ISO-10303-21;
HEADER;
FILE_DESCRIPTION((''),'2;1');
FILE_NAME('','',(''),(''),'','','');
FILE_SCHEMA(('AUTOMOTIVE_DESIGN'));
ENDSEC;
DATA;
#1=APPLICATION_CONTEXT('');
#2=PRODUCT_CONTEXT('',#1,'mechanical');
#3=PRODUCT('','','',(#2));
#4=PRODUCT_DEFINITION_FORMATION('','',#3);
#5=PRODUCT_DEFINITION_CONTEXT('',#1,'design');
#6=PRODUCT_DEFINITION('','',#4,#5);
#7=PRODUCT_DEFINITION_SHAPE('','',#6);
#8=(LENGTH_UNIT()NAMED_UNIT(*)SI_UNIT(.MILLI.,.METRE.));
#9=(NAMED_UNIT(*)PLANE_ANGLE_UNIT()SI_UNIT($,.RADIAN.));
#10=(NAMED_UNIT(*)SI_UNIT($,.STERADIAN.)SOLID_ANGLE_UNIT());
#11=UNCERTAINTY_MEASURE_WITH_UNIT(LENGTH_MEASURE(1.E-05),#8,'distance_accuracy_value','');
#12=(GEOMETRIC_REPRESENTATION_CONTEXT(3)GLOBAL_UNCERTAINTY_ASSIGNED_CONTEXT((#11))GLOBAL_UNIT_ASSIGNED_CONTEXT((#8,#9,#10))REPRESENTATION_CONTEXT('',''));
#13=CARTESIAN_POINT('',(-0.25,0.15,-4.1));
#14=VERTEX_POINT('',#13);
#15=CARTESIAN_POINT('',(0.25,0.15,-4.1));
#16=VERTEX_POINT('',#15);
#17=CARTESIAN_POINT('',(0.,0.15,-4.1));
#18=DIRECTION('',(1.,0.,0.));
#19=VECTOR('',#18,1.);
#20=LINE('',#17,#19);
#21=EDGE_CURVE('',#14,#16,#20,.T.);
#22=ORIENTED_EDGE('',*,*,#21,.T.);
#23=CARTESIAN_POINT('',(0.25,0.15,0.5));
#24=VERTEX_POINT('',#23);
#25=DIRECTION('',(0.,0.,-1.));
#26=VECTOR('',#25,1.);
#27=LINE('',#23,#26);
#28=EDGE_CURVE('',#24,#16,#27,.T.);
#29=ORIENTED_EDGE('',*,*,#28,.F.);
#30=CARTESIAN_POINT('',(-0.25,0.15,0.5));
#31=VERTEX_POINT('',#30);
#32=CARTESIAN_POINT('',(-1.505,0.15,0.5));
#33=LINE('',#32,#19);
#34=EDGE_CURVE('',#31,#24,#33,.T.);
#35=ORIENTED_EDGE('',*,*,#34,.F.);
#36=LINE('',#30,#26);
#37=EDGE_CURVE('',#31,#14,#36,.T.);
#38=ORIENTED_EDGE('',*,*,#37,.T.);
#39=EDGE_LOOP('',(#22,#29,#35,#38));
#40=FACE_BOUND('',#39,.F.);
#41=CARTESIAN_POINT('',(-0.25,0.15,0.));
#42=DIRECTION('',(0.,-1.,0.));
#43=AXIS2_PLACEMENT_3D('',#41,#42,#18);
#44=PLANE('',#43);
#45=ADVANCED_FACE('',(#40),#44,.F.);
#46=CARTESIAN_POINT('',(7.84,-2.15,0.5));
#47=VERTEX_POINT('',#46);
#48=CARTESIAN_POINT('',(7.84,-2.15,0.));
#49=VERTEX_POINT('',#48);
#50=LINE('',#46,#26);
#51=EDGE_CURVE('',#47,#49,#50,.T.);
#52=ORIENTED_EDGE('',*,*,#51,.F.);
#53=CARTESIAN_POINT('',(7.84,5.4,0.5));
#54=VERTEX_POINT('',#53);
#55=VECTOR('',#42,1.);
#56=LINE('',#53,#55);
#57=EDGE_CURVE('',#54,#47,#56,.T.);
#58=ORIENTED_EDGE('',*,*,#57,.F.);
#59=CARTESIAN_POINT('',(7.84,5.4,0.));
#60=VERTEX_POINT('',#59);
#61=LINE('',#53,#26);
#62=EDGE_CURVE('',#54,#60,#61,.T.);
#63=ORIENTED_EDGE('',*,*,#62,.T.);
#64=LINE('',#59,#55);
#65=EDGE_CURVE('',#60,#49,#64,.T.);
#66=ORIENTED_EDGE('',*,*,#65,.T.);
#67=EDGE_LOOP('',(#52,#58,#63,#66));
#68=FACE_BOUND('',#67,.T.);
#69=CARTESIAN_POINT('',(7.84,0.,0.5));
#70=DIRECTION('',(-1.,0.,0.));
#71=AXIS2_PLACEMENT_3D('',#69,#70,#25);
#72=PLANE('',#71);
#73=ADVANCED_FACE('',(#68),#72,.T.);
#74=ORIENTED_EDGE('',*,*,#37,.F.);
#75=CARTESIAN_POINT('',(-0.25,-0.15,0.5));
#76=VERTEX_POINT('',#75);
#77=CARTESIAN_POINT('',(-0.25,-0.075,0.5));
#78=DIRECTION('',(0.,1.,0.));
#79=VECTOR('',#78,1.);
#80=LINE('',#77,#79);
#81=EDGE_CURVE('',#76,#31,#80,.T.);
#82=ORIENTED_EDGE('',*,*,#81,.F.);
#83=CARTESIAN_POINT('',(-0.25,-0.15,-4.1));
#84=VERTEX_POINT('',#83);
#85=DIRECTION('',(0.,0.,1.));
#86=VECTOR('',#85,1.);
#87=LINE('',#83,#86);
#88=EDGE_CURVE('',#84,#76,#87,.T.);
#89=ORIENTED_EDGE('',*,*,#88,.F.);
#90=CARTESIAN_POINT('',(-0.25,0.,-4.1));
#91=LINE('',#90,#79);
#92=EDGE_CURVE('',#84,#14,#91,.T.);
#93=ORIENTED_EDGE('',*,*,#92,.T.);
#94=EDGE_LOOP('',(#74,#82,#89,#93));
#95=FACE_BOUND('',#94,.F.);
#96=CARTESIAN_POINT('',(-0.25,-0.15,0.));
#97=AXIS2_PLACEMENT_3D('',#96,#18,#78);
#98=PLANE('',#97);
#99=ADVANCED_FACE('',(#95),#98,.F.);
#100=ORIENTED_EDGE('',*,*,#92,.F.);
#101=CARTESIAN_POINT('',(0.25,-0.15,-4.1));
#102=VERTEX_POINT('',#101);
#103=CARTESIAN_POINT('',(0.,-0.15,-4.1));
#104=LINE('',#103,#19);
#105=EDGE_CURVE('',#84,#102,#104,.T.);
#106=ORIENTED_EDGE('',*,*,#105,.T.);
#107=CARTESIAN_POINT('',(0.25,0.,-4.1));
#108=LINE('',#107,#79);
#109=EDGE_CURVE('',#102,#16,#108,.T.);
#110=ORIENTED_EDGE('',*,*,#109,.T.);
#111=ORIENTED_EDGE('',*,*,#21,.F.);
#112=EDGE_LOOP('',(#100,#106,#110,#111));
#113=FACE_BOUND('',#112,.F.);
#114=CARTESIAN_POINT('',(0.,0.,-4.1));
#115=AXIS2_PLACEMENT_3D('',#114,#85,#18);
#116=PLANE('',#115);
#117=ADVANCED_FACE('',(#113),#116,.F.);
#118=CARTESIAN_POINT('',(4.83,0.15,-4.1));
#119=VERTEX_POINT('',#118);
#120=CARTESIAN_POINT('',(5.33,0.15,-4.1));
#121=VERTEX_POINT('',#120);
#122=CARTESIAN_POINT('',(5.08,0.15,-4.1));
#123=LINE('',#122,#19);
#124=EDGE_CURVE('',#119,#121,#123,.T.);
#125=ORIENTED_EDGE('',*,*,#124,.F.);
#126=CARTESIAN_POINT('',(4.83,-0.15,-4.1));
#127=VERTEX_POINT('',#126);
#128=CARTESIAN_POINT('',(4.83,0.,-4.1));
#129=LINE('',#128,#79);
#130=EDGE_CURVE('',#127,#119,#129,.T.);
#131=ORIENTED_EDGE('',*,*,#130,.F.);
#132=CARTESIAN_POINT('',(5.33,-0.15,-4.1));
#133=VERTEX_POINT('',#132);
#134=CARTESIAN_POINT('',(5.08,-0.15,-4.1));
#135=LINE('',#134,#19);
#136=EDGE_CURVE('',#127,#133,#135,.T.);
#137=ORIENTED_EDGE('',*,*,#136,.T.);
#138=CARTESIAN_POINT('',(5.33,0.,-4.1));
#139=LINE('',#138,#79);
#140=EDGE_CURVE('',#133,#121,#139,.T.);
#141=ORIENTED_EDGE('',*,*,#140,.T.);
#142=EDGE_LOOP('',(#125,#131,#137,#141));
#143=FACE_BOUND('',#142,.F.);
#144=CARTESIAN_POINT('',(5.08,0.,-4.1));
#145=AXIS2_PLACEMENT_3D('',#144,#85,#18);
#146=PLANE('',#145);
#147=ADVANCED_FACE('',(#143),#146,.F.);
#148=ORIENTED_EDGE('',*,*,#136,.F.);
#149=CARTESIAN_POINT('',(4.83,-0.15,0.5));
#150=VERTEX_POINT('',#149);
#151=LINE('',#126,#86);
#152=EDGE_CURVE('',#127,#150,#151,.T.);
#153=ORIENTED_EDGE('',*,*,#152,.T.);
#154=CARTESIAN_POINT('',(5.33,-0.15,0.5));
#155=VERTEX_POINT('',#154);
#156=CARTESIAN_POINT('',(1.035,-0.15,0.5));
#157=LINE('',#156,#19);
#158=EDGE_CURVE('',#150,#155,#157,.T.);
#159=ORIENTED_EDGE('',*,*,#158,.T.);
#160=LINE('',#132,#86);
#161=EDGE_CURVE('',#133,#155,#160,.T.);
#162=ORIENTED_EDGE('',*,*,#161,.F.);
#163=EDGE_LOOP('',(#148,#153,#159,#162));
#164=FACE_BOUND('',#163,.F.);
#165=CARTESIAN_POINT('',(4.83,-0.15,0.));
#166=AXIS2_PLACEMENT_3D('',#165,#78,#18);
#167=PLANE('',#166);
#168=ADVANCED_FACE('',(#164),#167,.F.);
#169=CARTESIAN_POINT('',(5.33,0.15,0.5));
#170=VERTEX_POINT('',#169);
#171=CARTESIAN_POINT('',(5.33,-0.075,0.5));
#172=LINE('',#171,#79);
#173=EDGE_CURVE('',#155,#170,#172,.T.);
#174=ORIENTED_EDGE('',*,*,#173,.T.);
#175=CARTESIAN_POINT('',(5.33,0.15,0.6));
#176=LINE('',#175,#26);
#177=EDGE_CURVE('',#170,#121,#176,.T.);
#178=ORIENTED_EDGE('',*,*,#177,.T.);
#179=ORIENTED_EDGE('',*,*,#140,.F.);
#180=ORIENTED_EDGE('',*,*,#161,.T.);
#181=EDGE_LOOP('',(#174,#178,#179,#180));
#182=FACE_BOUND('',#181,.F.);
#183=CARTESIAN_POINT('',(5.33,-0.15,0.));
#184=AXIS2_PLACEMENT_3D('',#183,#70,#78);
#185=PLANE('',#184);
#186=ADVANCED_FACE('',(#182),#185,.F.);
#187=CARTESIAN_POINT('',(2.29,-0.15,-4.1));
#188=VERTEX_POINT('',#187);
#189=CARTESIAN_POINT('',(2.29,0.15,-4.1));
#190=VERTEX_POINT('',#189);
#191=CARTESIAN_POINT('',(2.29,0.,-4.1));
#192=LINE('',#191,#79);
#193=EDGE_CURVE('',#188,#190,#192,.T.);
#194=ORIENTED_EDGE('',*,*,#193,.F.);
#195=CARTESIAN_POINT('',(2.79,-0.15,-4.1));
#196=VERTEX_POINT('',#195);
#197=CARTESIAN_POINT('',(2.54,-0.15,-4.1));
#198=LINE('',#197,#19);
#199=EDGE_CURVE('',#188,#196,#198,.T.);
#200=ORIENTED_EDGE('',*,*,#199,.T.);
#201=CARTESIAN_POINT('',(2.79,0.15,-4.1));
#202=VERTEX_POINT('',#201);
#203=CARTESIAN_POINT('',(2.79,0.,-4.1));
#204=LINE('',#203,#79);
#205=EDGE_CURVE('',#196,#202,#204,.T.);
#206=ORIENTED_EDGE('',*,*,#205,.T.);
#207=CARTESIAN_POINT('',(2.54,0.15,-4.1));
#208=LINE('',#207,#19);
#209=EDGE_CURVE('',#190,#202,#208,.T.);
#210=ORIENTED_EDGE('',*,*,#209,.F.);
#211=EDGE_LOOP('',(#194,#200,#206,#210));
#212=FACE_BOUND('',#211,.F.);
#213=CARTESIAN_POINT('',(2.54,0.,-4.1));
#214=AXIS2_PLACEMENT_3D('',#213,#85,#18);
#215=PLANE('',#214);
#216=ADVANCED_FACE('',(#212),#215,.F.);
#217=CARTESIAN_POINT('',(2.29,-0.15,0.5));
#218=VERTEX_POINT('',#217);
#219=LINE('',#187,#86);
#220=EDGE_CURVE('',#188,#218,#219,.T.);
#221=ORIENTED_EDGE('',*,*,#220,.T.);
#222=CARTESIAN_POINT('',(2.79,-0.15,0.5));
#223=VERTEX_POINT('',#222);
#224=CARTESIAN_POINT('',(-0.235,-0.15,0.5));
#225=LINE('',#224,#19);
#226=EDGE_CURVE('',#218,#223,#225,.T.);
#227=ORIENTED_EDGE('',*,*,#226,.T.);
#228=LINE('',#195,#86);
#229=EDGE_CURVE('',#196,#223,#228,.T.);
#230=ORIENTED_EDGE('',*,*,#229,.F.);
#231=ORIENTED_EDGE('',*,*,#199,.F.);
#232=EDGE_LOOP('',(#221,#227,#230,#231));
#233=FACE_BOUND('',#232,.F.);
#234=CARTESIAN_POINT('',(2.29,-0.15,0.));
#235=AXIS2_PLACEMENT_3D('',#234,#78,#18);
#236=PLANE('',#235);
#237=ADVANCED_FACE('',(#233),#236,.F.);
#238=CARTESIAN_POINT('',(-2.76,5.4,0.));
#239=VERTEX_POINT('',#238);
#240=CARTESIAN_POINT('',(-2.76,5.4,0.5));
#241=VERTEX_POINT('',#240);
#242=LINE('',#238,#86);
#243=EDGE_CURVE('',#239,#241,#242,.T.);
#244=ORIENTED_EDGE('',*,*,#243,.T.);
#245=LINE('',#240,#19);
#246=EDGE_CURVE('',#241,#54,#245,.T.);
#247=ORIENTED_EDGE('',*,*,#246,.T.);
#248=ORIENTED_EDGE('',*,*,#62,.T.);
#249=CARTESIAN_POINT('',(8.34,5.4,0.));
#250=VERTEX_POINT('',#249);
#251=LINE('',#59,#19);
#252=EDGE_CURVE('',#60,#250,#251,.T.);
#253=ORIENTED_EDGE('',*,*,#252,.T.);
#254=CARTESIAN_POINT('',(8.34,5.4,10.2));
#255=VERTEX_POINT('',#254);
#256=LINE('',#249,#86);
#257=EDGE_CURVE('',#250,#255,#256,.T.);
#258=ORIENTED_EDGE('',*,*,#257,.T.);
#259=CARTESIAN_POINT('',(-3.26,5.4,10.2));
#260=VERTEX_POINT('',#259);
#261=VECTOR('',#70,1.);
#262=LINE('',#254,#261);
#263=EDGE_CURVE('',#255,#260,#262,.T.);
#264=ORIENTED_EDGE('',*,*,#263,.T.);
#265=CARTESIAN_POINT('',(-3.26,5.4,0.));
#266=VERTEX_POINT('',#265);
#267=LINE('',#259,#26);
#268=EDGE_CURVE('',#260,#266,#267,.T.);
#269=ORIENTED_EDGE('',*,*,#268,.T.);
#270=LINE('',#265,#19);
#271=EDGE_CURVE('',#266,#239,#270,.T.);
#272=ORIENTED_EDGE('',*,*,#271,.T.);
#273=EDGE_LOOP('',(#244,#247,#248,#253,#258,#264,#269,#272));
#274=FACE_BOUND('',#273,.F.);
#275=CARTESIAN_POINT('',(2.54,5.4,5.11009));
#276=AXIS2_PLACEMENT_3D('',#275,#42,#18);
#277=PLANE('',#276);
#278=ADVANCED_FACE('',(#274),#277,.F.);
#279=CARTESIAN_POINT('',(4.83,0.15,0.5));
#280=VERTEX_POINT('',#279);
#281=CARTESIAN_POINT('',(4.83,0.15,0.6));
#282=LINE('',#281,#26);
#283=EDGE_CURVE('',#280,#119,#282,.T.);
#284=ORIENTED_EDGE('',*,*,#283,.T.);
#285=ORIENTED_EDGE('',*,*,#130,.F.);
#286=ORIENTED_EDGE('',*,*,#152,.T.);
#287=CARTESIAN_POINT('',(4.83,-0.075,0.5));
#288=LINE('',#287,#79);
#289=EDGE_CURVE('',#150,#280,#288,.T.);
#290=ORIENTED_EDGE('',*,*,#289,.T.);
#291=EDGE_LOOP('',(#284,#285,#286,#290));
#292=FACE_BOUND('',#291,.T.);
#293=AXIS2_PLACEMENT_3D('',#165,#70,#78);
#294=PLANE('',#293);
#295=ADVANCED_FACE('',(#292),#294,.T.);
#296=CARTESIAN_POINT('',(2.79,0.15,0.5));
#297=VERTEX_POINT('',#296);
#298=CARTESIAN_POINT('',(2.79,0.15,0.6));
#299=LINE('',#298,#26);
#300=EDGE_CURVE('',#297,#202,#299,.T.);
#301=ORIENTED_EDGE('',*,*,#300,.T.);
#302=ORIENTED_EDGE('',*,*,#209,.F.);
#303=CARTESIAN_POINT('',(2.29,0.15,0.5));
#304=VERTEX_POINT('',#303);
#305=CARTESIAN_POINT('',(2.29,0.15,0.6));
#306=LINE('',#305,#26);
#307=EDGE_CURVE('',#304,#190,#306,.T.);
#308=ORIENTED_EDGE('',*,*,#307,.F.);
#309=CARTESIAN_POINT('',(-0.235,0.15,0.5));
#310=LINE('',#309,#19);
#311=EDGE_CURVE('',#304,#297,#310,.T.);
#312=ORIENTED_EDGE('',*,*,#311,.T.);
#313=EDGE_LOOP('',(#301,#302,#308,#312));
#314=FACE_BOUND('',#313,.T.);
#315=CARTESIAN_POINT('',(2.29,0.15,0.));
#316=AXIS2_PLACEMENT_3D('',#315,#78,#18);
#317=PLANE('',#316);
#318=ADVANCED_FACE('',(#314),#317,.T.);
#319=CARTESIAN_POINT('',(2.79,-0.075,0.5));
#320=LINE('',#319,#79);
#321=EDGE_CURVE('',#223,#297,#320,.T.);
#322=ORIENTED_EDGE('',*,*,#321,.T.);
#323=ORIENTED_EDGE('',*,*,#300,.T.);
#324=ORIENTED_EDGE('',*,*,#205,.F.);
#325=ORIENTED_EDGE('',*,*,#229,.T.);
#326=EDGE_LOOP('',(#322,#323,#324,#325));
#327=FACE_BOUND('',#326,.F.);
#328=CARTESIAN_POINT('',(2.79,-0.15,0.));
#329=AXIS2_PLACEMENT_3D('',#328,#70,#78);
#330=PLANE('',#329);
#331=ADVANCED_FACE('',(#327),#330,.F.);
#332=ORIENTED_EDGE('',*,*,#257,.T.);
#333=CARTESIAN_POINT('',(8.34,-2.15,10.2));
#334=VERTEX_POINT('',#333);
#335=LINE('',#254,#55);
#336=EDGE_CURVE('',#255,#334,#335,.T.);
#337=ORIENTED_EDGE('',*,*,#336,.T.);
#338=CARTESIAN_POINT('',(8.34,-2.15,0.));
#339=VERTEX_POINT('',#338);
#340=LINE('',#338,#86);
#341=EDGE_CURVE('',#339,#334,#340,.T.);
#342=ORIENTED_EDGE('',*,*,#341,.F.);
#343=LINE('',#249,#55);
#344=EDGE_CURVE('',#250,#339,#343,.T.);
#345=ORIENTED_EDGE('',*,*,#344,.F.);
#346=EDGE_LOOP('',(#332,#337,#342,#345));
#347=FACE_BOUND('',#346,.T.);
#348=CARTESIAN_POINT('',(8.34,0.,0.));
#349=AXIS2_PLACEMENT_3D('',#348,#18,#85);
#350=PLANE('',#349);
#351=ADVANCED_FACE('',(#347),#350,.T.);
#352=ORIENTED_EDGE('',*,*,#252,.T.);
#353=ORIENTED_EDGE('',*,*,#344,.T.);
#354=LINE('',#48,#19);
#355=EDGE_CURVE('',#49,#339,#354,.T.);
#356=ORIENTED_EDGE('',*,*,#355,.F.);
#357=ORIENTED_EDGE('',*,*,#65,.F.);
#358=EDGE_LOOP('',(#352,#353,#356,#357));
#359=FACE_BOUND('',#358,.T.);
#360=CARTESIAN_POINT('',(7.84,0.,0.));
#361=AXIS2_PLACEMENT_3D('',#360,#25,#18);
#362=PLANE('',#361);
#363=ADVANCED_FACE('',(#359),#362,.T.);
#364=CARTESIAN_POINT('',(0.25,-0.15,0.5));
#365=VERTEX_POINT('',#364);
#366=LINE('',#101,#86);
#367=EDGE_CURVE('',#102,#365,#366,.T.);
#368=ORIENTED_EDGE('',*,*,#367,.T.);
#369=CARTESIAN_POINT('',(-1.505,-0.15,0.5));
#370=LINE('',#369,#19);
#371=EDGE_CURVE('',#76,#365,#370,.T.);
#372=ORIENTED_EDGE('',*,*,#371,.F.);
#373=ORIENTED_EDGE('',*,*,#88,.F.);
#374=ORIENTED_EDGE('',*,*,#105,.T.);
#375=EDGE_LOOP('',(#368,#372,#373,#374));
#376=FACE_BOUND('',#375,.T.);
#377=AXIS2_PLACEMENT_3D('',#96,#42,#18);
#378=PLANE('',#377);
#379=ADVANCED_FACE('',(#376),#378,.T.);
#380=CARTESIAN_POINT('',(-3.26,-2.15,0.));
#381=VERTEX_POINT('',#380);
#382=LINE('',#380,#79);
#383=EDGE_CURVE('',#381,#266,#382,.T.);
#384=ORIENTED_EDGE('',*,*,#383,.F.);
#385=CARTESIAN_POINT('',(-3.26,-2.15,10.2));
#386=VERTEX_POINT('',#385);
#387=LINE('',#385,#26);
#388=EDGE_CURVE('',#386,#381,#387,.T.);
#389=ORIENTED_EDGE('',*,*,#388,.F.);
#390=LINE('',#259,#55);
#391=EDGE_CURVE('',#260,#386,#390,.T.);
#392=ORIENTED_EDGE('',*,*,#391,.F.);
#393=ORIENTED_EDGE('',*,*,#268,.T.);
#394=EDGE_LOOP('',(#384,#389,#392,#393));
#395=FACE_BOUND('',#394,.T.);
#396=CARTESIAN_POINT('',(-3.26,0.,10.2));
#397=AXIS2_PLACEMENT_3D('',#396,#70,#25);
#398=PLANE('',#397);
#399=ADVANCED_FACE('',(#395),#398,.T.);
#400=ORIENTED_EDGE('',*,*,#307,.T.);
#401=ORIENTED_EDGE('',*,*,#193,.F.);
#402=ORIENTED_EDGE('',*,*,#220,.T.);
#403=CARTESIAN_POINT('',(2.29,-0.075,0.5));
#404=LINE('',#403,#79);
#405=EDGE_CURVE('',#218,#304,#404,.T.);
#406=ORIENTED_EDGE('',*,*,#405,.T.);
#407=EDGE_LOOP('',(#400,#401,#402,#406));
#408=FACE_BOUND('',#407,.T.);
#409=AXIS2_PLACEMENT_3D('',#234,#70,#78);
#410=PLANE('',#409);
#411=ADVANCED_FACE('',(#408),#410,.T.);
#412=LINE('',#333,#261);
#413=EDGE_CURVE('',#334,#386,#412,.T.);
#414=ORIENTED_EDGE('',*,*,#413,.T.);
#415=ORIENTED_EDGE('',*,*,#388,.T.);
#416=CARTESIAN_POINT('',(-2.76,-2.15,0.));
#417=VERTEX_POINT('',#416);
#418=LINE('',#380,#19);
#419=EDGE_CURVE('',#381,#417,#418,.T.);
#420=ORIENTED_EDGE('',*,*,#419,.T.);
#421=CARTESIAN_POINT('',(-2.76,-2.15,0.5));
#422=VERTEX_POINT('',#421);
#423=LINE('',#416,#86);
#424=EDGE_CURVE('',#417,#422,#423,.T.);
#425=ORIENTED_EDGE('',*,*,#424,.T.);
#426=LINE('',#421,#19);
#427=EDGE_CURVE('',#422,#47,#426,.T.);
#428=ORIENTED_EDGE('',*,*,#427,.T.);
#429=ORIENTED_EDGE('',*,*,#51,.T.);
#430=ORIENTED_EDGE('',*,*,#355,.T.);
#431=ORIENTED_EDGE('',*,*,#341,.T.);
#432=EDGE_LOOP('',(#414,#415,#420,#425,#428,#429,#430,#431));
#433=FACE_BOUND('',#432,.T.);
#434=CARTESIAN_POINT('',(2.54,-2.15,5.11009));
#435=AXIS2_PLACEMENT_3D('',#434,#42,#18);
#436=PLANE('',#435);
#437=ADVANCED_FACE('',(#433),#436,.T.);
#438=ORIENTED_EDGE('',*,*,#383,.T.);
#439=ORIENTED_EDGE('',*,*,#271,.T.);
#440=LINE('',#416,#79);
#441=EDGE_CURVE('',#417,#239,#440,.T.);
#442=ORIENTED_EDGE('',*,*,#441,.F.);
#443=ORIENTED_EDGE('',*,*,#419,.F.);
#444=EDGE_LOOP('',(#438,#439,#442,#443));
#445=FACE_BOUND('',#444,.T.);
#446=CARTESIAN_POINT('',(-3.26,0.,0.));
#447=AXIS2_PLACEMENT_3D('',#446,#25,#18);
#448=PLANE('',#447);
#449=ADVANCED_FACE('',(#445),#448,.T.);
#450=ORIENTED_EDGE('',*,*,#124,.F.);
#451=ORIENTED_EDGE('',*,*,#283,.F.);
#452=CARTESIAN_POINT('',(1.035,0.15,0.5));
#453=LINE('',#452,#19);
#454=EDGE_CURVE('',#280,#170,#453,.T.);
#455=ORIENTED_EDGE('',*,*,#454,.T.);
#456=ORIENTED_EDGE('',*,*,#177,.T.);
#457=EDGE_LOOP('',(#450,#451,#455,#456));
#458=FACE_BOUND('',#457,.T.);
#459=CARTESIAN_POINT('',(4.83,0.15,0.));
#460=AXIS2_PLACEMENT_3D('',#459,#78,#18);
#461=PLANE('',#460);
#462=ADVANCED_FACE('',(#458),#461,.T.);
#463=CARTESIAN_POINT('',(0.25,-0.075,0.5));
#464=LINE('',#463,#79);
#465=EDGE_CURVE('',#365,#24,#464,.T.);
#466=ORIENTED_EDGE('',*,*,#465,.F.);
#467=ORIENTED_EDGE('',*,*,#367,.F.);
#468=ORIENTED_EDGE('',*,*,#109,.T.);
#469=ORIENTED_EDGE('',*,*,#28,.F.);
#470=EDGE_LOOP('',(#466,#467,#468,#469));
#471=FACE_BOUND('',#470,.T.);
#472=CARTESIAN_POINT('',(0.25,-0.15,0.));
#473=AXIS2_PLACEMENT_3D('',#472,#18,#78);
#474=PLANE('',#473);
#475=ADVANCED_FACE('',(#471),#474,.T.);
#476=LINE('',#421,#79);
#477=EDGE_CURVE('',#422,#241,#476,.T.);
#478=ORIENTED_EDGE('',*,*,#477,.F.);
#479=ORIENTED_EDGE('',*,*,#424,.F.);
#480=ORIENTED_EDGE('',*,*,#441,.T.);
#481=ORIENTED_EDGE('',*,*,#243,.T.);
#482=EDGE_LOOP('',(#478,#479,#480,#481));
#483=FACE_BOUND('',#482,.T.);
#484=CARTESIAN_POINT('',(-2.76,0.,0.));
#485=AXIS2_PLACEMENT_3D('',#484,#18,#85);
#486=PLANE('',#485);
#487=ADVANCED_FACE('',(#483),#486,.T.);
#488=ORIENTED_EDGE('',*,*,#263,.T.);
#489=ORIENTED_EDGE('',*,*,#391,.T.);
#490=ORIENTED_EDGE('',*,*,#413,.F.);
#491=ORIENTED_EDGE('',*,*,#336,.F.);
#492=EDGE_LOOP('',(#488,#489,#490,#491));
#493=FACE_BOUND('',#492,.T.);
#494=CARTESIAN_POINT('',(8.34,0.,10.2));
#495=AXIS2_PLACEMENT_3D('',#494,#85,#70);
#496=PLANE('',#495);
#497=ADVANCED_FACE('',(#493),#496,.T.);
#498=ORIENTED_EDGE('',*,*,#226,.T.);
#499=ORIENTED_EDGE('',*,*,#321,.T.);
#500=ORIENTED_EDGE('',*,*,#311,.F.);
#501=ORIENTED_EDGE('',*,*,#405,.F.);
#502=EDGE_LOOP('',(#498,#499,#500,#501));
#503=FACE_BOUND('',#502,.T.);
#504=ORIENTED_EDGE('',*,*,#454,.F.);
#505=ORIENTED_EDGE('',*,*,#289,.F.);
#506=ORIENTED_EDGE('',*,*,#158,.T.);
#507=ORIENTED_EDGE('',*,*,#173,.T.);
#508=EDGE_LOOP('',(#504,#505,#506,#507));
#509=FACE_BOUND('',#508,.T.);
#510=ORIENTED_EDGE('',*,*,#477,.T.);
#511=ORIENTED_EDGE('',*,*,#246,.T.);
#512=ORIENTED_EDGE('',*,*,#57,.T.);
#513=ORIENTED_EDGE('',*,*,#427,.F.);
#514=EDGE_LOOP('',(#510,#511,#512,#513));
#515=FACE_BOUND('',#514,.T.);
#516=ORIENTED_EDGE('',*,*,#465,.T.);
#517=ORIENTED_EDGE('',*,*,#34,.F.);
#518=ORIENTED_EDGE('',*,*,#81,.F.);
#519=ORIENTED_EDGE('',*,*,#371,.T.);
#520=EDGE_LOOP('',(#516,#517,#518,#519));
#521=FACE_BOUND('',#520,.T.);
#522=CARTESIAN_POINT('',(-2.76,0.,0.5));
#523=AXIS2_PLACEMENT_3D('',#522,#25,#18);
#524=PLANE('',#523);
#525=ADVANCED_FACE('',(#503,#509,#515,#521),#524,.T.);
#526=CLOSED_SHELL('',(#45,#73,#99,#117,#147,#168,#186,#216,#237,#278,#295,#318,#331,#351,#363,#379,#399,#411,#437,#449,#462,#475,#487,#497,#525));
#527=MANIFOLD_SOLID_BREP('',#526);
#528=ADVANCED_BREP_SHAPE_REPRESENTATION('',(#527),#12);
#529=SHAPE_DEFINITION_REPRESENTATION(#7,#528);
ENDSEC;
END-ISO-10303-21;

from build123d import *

# Parameters (mm, degrees)
PAD_DEPTH           = 2.15
PAD_DEPTH_BACK      = 5.4
SKETCH001_W         = 0.5
SKETCH001_H         = 0.3
PAD001_DEPTH        = 0.6
PAD001_DEPTH_BACK   = 4.1
LINEARPATTERN_COUNT = 3
LINEARPATTERN_PITCH = 2.54


with BuildPart() as part:
    # Sketch → Pad (new body, two sides)
    with BuildSketch(Plane.XZ) as pad_sk:
        Polygon((-2.76, 0.5), (7.84, 0.5), (7.84, 0), (8.34, 0), (8.34, 10.2), (-3.26, 10.2), (-3.26, 0), (-2.76, 0), align=None)
    extrude(amount=PAD_DEPTH)
    extrude(pad_sk.sketch, amount=-PAD_DEPTH_BACK)

    # Sketch001 → Pad001 (join, two sides)
    with BuildSketch(Plane.XY) as pad001_sk:
        Rectangle(SKETCH001_W, SKETCH001_H)
    pad001 = extrude(amount=PAD001_DEPTH) + extrude(pad001_sk.sketch, amount=-PAD001_DEPTH_BACK)

    # LinearPattern: Pad001 ×3
    with Locations(*[(i * LINEARPATTERN_PITCH, 0, 0) for i in range(1, LINEARPATTERN_COUNT)]):
        add(pad001)


solid = part.part
